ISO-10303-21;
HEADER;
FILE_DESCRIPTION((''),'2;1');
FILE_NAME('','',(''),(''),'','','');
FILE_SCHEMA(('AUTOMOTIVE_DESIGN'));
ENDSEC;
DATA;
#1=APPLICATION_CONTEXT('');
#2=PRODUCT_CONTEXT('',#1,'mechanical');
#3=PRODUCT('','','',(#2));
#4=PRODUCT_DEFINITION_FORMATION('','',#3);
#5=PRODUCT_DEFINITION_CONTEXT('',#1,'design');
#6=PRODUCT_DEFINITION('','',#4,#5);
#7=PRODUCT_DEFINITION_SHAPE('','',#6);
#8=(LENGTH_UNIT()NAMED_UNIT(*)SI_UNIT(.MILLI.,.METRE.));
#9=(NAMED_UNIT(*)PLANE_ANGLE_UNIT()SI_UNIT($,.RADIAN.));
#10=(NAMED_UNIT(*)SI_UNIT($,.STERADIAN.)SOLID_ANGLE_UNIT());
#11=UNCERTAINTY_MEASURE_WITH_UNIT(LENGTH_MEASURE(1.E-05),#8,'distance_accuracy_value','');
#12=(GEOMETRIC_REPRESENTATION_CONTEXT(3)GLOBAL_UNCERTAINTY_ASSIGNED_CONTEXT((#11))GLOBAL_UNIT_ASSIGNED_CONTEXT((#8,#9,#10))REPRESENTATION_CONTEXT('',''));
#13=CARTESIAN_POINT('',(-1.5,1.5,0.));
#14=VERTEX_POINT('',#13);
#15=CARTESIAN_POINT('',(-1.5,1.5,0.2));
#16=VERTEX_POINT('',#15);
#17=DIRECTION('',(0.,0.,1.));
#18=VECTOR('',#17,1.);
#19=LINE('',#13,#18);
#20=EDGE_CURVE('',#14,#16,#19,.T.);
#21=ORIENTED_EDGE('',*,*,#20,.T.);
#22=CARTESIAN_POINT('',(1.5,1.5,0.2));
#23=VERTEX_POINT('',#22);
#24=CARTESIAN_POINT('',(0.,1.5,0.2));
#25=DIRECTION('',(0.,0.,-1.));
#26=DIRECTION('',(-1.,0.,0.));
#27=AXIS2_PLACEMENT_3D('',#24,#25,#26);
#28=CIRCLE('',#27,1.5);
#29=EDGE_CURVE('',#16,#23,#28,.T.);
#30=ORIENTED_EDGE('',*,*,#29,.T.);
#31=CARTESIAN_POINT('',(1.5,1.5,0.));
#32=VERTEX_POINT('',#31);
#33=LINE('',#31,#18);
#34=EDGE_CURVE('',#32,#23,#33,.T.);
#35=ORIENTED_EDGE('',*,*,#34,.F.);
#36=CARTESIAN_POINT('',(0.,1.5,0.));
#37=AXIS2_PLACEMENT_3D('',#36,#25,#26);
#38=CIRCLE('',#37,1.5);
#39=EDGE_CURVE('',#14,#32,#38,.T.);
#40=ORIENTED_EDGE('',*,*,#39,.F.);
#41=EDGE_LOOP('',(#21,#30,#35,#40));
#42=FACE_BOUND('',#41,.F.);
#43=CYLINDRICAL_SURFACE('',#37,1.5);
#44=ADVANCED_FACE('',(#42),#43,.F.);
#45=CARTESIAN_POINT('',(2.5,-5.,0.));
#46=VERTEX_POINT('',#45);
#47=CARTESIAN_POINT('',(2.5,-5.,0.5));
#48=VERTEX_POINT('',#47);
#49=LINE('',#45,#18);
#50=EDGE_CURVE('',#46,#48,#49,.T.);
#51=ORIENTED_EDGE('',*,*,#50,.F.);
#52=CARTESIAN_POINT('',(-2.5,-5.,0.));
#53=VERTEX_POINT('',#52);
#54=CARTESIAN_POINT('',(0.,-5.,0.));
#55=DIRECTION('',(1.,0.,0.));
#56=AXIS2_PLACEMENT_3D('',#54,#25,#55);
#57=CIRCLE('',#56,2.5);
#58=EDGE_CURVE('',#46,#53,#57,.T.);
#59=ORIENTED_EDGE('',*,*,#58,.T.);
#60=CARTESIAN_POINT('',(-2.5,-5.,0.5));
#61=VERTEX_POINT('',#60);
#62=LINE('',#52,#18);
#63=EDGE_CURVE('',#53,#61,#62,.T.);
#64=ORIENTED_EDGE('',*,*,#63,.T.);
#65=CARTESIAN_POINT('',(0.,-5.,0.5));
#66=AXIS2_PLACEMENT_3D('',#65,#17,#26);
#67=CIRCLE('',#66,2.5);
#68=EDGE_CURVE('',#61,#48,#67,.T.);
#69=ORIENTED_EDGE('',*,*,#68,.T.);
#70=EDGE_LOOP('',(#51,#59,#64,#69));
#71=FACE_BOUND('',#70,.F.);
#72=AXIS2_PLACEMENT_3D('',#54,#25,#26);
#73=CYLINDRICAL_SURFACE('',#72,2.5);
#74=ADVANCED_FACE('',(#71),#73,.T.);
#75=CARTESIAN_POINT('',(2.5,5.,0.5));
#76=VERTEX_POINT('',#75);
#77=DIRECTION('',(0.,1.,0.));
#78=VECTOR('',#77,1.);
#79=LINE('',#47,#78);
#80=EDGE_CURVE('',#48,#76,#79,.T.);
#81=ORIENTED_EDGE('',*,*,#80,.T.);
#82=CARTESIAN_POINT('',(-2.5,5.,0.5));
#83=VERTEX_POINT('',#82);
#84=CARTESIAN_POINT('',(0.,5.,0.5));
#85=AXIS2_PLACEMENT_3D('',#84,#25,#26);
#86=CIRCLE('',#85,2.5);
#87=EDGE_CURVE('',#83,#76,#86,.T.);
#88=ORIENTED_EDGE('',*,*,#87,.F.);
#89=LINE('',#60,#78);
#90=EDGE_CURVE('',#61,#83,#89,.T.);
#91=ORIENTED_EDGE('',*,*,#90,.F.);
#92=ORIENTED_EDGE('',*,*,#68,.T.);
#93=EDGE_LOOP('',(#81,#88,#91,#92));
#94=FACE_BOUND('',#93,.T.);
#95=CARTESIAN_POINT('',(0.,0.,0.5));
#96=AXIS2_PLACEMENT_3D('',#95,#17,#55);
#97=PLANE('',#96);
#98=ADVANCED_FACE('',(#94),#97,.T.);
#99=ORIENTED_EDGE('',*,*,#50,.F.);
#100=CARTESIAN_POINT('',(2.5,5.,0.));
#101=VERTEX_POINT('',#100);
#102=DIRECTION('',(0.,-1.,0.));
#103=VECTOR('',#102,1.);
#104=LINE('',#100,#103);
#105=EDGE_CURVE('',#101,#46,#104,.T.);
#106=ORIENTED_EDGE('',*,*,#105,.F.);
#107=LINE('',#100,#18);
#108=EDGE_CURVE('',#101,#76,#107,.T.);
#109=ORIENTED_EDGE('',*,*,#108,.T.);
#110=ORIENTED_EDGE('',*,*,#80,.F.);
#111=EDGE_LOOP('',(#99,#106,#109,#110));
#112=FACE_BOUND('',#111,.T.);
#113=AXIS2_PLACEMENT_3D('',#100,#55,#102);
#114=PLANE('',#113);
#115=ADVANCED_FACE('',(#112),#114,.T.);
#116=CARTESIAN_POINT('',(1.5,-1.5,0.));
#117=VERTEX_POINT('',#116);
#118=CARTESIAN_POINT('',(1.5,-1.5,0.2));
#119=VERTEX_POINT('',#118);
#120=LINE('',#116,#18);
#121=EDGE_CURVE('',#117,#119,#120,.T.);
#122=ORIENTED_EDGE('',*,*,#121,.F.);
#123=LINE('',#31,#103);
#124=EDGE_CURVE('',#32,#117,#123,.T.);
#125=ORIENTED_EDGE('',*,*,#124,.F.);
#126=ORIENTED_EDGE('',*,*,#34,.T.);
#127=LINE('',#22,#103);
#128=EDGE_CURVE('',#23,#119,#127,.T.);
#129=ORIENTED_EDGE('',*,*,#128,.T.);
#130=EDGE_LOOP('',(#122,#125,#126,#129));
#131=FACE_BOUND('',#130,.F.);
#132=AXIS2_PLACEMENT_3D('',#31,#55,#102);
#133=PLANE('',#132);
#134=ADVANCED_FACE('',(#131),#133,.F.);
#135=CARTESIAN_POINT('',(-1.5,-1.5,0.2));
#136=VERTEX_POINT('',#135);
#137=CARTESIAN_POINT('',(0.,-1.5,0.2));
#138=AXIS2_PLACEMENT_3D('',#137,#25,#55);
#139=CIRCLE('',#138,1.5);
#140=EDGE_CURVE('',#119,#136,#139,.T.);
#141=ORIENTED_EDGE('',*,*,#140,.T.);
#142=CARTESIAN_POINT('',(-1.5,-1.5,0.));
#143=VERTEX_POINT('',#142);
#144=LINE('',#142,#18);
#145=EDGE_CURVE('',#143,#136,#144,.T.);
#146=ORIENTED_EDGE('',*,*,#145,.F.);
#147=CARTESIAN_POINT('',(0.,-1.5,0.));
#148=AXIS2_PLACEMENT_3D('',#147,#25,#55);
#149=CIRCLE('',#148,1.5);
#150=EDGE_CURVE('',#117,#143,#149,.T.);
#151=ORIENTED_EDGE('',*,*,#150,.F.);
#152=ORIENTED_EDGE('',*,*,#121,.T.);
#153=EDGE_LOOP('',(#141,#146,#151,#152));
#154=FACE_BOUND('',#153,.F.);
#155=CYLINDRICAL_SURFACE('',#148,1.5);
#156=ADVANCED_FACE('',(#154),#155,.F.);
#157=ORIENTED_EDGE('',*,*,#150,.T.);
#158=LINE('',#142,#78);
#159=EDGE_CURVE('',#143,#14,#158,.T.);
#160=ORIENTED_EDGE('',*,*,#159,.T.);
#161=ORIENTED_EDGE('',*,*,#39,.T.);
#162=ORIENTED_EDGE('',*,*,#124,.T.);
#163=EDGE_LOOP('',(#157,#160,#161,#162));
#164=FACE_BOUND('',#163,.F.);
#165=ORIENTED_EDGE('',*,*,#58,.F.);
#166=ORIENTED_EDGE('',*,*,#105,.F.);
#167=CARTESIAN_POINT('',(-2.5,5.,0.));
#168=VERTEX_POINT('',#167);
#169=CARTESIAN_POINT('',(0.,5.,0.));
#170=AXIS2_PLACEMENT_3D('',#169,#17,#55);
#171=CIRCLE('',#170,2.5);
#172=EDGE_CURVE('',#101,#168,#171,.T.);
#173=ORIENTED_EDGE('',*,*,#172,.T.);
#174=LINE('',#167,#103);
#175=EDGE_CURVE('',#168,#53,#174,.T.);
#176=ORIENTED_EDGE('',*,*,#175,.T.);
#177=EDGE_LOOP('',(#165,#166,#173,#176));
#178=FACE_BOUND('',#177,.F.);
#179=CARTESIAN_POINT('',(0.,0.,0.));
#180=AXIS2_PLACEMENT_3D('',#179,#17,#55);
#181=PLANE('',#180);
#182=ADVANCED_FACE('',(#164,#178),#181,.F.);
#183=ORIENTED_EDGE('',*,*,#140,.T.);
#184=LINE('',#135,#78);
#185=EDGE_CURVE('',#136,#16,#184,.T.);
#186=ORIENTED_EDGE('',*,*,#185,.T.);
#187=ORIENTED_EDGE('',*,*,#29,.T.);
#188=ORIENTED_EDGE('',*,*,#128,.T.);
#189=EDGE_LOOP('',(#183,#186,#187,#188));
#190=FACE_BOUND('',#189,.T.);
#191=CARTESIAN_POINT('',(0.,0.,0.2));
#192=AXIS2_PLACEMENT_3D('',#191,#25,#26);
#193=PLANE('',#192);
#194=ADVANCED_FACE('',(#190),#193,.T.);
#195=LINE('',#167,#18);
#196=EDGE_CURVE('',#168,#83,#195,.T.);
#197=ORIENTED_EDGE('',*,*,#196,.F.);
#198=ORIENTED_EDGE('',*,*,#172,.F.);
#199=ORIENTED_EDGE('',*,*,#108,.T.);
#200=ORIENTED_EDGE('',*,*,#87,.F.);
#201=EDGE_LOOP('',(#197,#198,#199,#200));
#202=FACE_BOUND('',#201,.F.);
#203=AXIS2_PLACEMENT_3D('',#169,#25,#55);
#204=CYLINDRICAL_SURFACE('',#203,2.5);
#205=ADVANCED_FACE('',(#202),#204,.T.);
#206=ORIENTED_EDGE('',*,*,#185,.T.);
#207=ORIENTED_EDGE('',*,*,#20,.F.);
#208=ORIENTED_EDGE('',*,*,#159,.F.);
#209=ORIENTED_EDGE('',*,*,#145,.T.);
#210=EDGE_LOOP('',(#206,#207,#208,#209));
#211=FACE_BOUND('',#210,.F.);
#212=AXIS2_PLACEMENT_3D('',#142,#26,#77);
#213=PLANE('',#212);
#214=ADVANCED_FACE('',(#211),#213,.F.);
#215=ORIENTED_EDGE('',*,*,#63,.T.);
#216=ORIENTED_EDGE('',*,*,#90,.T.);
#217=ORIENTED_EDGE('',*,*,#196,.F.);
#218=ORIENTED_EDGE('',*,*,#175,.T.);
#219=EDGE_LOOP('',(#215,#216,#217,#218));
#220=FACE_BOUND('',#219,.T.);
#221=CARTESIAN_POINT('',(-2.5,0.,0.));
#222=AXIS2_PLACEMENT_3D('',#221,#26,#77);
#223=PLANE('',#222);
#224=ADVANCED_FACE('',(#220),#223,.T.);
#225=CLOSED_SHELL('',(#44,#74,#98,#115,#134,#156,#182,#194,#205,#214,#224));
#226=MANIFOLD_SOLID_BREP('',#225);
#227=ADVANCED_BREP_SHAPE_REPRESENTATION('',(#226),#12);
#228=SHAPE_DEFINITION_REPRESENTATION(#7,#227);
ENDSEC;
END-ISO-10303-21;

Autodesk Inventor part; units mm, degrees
ref_plane "YZ Plane" through (0, 0, 0) normal (1, 0, 0) x (0, 1, 0)
ref_plane "XZ Plane" through (0, 0, 0) normal (0, 1, 0) x (-1, 0, 0)
ref_plane "XY Plane" through (0, 0, 0) normal (0, 0, 1) x (1, 0, 0)
sketch "Skizze1" plane through (0, 0, 0) normal (0, 0, 1) x (1, 0, 0)
  line L0 (-3.5, 0) -> (3.5, 0) projected
  line L1 (0, -10.5) -> (0, 10.5) projected
  line L2 (0, 5) -> (0, -5) construction
  line L3 (2.5, 5) -> (2.5, -5)
  line L4 (-2.5, -5) -> (-2.5, 5)
  arc A0 (2.5, 5) -> (-2.5, 5) centre (0, 5) ccw
  arc A1 (-2.5, -5) -> (2.5, -5) centre (0, -5) ccw
  point P0 (0, 0)
  point P1 (0, 0)
  dimension "d0" = 15
  dimension "d1" = 5
extrude "Extrusion1" add sketch "Skizze1" along normal blind 0.5
sketch "Skizze3" plane through (0, 0, 0) normal (0, 0, -1) x (-1, 0, 0)
  line L0 (-2.5, 5) -> (-2.5, -5) projected
  line L1 (0, -1.5) -> (0, 1.5) construction
  line L2 (1.5, -1.5) -> (1.5, 1.5)
  line L3 (-1.5, 1.5) -> (-1.5, -1.5)
  arc A0 (-1.5, -1.5) -> (1.5, -1.5) centre (0, -1.5) ccw
  arc A1 (1.5, 1.5) -> (-1.5, 1.5) centre (0, 1.5) ccw
  point P0 (0, 0)
  point P1 (0, 0)
  dimension "d8" = 3
  dimension "d9" = 6
extrude "Extrusion3" cut sketch "Skizze3" against normal blind 0.2
properties part number "13_1087_020"
